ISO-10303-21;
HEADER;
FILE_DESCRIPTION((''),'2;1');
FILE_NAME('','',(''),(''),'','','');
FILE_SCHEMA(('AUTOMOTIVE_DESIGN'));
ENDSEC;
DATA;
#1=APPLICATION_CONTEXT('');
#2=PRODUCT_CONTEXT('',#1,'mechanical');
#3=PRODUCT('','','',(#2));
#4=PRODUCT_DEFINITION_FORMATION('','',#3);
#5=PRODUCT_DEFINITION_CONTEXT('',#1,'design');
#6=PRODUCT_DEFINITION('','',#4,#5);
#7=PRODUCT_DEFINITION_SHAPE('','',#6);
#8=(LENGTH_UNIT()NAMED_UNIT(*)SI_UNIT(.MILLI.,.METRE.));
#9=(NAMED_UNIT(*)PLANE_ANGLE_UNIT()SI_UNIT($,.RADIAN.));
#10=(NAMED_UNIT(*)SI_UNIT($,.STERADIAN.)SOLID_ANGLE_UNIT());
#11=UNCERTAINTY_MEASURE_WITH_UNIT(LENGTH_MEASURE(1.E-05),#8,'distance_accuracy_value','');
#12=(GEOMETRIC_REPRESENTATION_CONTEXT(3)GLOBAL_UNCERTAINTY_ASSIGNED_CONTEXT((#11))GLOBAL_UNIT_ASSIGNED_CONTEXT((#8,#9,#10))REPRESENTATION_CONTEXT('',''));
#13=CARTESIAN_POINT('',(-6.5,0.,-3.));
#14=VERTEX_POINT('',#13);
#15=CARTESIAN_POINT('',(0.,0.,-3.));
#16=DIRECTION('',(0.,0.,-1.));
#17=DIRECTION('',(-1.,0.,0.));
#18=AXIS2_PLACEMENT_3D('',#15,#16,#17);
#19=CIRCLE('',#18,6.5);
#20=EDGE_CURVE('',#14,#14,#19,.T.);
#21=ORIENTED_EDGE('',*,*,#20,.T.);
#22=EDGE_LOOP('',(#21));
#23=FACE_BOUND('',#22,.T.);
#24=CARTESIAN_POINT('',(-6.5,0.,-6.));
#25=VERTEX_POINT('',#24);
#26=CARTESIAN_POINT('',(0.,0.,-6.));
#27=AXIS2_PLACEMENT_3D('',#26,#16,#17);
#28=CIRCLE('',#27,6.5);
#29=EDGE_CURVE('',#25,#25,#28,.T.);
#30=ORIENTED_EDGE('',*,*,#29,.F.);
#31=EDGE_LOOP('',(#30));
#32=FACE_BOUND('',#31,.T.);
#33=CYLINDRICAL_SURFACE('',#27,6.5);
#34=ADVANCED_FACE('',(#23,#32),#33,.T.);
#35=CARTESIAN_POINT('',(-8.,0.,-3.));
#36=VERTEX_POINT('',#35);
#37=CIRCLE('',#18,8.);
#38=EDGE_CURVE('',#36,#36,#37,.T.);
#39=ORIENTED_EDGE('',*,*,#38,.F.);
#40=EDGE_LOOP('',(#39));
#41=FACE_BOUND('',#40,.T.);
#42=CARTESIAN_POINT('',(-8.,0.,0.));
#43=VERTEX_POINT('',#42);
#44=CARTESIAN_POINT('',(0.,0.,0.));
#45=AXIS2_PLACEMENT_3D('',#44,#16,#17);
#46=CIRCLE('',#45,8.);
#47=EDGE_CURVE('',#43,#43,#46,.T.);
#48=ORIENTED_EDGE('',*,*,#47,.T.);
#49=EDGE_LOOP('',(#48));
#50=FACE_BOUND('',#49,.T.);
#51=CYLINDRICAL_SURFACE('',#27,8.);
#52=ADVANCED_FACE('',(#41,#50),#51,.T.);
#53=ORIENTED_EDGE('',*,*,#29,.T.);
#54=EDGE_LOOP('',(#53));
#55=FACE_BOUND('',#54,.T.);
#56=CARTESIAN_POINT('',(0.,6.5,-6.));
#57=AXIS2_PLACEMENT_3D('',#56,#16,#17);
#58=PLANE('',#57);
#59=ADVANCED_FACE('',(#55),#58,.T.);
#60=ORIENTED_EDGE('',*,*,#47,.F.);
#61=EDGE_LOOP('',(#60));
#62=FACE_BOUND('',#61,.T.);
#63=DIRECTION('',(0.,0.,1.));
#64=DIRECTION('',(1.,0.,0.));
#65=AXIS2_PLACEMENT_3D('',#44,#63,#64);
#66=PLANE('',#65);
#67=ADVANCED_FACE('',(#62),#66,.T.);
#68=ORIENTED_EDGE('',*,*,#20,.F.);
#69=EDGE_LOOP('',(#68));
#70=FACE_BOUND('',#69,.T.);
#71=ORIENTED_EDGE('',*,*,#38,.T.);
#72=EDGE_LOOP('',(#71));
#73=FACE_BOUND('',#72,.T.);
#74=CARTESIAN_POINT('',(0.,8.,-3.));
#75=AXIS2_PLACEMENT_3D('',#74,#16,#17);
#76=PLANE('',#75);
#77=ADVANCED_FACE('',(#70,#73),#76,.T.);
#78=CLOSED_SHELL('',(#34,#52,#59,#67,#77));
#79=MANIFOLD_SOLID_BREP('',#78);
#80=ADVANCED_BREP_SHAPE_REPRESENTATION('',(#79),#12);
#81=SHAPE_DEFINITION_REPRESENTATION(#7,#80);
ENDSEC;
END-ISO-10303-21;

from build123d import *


with BuildPart() as part:
    # Sketch1 → Revolve1 (revolve)
    with BuildSketch(Plane(origin=(0, 0, 0), x_dir=(0, 0, -1), z_dir=(1, 0, 0)), mode=Mode.PRIVATE) as revolve1_sk:
        Polygon((0, 8), (3, 8), (3, 6.5), (6, 6.5), (6, 0), (0, 0), align=None)
    revolve(revolve1_sk.sketch.rotate(Axis((0, 0, -6), (0, 0, 1)), 90), axis=Axis((0, 0, -6), (0, 0, 1)))


solid = part.part
